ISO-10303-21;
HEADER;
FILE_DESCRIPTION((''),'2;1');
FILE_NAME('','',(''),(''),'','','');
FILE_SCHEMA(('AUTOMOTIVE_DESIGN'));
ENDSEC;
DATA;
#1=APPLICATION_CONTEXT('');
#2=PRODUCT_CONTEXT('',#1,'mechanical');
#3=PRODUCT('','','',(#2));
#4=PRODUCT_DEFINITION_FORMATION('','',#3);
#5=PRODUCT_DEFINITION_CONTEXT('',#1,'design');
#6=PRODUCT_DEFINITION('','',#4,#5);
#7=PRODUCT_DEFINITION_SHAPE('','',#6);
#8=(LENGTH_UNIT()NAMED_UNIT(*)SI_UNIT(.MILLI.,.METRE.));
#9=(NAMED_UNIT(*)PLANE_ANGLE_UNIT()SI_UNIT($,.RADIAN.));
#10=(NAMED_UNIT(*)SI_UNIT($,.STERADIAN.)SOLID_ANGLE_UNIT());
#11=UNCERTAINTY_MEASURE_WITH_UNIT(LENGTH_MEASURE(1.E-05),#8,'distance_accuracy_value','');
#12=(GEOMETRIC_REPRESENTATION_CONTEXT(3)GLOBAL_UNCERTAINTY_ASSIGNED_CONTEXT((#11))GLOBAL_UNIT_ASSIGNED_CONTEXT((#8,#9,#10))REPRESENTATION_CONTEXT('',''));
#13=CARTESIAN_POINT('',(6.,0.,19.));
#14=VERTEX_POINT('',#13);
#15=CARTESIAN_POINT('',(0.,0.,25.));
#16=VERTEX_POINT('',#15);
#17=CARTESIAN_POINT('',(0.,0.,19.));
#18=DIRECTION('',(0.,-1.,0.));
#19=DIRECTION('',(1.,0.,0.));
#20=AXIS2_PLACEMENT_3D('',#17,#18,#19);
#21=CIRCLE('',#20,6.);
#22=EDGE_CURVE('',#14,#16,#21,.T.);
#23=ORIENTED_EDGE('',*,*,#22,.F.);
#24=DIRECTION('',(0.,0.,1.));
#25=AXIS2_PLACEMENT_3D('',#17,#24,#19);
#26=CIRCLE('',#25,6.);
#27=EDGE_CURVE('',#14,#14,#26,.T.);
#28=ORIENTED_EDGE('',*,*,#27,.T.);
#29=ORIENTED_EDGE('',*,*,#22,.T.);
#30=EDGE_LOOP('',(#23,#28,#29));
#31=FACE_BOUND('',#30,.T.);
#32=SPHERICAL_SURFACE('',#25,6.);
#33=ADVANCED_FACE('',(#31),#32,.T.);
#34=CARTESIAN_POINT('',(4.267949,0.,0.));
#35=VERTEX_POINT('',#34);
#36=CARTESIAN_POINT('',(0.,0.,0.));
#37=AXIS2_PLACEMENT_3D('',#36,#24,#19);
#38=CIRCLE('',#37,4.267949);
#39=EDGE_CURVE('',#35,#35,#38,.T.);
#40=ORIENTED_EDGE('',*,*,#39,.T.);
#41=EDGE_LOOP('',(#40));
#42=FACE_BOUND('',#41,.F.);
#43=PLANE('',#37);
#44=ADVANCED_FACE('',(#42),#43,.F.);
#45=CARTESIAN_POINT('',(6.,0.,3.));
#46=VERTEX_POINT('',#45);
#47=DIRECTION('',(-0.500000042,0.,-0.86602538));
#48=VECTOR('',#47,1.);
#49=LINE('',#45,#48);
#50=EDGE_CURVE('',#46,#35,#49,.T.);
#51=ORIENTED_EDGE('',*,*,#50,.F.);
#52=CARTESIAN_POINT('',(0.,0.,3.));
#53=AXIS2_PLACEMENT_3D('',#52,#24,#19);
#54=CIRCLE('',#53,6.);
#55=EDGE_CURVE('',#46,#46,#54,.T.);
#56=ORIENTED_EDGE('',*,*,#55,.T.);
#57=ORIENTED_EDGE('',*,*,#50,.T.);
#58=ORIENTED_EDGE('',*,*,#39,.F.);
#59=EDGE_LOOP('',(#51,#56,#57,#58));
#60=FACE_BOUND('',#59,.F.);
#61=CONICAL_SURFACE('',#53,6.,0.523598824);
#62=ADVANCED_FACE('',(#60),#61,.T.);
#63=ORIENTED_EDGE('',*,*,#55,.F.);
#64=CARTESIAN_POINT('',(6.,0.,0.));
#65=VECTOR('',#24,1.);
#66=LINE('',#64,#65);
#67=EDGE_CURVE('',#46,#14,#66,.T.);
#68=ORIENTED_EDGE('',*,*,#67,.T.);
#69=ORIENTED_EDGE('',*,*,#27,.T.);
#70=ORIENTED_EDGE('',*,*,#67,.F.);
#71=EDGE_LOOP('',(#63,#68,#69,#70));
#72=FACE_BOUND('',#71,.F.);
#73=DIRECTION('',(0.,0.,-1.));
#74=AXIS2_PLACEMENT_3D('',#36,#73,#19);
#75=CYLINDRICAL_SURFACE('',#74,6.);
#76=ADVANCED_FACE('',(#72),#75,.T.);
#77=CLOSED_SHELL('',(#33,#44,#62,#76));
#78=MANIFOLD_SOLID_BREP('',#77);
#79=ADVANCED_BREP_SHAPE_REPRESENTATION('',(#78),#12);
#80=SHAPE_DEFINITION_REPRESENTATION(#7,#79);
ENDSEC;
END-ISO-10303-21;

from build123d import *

# Parameters (mm, degrees)
F0_R     = 6
F1_DEPTH = 25
F2_R     = 6
F3_SIZE2 = 1.732051
F3_SIZE  = 3


with BuildPart() as f1:
    # F0 (on Top) → F1 (new body)
    with BuildSketch(Plane.XY):
        Circle(F0_R)
    extrude(amount=F1_DEPTH)

    # F2
    f2_edges = [f1.edges().sort_by_distance(p)[0] for p in [
        (-6, 0, 25),
    ]]
    fillet(f2_edges, radius=F2_R)

    # F3
    f3_edges = [f1.edges().sort_by_distance(p)[0] for p in [
        (-6, 0, 0),
    ]]
    chamfer(f3_edges, length=F3_SIZE, length2=F3_SIZE2)


solid = f1.part
